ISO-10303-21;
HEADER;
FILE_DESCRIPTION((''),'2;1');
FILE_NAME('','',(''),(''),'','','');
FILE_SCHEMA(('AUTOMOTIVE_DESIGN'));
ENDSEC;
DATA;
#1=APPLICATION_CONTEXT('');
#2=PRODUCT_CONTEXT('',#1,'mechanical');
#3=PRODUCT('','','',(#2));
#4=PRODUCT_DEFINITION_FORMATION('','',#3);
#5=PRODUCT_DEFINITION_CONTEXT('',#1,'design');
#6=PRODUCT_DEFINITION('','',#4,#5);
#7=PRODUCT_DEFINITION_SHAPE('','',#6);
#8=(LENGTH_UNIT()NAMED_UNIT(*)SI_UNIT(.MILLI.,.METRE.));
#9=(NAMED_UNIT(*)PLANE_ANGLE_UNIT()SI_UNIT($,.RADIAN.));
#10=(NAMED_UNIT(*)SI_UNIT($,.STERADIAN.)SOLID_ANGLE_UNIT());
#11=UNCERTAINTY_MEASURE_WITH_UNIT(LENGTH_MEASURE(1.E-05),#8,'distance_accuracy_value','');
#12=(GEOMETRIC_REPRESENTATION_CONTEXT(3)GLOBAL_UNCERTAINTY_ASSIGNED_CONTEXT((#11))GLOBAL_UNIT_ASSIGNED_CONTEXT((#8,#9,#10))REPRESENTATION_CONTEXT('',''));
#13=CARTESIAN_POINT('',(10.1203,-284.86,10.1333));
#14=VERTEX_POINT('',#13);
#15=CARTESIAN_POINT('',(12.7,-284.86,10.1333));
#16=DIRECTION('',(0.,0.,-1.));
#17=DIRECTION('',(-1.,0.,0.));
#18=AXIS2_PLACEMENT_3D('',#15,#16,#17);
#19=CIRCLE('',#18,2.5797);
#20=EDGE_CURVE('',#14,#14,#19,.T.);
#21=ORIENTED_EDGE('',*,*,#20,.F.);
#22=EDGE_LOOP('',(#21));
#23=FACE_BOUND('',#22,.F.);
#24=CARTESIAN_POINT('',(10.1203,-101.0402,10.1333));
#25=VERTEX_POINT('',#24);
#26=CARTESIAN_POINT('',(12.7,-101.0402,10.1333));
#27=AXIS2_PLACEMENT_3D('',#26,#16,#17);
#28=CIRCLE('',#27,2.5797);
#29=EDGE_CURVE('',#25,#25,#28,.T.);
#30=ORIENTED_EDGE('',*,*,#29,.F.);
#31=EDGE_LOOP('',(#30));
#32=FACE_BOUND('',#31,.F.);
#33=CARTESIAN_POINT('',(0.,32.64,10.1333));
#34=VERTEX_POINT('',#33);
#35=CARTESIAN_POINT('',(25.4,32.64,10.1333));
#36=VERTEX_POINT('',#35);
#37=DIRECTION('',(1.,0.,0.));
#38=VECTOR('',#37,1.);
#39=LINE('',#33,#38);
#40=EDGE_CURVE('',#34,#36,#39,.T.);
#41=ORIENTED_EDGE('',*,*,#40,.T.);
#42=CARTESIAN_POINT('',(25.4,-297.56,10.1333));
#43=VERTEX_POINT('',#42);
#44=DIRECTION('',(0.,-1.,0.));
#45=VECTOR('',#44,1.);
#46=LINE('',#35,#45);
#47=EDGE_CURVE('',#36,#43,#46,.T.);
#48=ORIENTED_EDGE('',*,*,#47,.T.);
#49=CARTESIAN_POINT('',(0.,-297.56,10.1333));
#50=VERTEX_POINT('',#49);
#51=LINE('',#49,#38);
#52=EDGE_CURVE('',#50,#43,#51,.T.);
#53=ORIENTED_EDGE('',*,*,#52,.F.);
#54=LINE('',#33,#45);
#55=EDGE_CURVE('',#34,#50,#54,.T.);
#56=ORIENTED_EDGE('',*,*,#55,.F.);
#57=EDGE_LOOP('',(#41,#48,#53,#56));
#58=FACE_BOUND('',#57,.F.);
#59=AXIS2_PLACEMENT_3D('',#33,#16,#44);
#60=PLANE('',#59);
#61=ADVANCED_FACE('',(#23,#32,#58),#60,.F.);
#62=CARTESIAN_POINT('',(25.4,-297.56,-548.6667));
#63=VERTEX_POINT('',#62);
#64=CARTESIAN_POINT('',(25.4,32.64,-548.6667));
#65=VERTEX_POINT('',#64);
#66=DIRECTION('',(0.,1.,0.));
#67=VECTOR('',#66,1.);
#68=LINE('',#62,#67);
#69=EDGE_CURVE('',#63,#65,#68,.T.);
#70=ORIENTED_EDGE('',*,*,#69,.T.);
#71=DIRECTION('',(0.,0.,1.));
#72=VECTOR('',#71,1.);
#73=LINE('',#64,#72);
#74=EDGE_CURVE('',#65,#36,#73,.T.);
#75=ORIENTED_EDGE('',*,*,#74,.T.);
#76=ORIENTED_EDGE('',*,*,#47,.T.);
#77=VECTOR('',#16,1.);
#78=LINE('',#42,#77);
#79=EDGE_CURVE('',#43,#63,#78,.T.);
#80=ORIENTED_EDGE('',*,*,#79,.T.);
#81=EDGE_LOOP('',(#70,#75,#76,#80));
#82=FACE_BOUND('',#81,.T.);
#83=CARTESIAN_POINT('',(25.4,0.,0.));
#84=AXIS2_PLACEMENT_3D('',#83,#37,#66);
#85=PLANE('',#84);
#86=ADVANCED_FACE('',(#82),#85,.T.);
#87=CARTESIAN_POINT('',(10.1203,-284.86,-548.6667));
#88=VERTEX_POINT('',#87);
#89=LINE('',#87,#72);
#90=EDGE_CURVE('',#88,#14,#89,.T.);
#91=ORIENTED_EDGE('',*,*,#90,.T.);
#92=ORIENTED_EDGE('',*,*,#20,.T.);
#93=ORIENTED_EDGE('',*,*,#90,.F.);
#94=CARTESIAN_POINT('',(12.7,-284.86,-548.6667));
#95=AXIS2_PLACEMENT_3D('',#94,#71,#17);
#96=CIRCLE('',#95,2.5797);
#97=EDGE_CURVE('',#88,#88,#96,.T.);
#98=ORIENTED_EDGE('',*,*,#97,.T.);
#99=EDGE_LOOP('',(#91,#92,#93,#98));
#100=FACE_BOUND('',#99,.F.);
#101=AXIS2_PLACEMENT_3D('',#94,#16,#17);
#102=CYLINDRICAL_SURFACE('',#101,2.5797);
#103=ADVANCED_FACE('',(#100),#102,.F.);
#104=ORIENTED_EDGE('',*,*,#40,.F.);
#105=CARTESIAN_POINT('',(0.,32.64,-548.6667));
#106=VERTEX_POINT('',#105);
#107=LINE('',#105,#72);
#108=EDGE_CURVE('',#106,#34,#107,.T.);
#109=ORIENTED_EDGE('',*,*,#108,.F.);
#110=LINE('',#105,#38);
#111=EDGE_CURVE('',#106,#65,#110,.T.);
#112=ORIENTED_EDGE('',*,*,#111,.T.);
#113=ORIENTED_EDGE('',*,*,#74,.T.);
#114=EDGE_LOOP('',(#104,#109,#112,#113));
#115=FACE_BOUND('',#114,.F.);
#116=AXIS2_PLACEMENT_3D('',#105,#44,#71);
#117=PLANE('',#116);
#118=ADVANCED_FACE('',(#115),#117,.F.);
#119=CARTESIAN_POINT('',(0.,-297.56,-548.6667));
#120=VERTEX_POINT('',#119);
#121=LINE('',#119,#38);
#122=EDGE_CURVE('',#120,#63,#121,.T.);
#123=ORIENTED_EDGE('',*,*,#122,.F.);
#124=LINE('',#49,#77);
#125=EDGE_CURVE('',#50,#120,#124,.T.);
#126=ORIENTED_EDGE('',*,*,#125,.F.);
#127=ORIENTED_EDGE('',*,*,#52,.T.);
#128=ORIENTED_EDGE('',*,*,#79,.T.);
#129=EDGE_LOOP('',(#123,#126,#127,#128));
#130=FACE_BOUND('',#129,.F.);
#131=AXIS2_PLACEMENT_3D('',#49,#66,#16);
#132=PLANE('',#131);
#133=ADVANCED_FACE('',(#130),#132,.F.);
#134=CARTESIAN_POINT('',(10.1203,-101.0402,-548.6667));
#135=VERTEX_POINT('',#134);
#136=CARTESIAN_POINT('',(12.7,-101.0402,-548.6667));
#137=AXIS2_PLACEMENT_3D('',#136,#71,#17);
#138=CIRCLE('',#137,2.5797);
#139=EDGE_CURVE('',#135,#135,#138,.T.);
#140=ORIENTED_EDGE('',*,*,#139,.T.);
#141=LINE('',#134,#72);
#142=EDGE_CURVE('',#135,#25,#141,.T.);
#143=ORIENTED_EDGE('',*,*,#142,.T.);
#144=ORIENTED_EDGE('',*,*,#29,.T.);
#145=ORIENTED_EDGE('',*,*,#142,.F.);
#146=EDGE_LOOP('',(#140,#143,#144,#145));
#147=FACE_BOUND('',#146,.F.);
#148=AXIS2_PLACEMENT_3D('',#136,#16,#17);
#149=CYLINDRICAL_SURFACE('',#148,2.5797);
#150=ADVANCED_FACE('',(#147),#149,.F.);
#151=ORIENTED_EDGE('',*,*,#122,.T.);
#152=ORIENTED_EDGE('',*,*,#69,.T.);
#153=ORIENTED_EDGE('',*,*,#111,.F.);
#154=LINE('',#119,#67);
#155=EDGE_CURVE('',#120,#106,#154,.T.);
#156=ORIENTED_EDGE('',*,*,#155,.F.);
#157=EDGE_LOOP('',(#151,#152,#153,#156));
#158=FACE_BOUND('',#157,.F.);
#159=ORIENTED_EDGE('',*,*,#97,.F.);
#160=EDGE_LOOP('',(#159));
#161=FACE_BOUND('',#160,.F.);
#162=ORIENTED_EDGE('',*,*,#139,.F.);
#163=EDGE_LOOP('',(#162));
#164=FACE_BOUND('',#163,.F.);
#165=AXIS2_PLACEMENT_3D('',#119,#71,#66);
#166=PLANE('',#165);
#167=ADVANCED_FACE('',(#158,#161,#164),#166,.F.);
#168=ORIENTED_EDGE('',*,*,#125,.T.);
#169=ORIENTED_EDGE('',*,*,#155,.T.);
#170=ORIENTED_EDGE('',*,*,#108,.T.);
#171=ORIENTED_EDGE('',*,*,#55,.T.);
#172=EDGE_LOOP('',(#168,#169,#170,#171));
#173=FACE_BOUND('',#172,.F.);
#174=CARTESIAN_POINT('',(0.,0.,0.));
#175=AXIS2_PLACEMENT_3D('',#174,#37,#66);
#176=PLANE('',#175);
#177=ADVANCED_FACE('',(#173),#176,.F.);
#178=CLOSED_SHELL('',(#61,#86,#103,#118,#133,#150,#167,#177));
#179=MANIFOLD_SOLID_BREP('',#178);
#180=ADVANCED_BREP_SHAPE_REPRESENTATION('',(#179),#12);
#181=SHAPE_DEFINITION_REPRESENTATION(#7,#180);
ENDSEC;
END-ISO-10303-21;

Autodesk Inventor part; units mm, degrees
ref_plane "YZ Plane" through (0, 0, 0) normal (1, 0, 0) x (0, 1, 0)
ref_plane "XZ Plane" through (0, 0, 0) normal (0, 1, 0) x (-1, 0, 0)
ref_plane "XY Plane" through (0, 0, 0) normal (0, 0, 1) x (1, 0, 0)
sketch "Sketch2" plane through (0, 0, 0) normal (1, 0, 0) x (0, 1, 0)
  line L0 (32.64, 10.1333) -> (-297.56, 10.1333)
  line L1 (-297.56, 10.1333) -> (-297.56, -548.6667)
  line L2 (-297.56, -548.6667) -> (32.64, -548.6667)
  line L3 (32.64, -548.6667) -> (32.64, 10.1333)
  point P0 (0, 0)
  dimension "d0" = 330.2
  dimension "d1" = 558.8
extrude "Extrusion2" add sketch "Sketch2" along normal blind 25.4
sketch "Sketch4" plane through (0, -297.56, -548.6667) normal (0, 0, -1) x (-1, 0, 0)
  line L0 (0, 0) -> (-25.4, 0) projected
  line L1 (-12.7, 0) -> (-12.7, 12.7)
  circle A0 centre (-12.7, 12.7) radius 2.5797
  line L2 (-12.7, 12.7) -> (-12.7, 196.5198)
  circle A1 centre (-12.7, 196.5198) radius 2.5797
  dimension "d25" = 12.7
  dimension "d26" = 5.1594
  dimension "d27" = 183.8198
  dimension "d28" = 5.1594
extrude "Extrusion4" cut sketch "Sketch4" against normal blind 914.4
properties part number "Cart Shelf"
